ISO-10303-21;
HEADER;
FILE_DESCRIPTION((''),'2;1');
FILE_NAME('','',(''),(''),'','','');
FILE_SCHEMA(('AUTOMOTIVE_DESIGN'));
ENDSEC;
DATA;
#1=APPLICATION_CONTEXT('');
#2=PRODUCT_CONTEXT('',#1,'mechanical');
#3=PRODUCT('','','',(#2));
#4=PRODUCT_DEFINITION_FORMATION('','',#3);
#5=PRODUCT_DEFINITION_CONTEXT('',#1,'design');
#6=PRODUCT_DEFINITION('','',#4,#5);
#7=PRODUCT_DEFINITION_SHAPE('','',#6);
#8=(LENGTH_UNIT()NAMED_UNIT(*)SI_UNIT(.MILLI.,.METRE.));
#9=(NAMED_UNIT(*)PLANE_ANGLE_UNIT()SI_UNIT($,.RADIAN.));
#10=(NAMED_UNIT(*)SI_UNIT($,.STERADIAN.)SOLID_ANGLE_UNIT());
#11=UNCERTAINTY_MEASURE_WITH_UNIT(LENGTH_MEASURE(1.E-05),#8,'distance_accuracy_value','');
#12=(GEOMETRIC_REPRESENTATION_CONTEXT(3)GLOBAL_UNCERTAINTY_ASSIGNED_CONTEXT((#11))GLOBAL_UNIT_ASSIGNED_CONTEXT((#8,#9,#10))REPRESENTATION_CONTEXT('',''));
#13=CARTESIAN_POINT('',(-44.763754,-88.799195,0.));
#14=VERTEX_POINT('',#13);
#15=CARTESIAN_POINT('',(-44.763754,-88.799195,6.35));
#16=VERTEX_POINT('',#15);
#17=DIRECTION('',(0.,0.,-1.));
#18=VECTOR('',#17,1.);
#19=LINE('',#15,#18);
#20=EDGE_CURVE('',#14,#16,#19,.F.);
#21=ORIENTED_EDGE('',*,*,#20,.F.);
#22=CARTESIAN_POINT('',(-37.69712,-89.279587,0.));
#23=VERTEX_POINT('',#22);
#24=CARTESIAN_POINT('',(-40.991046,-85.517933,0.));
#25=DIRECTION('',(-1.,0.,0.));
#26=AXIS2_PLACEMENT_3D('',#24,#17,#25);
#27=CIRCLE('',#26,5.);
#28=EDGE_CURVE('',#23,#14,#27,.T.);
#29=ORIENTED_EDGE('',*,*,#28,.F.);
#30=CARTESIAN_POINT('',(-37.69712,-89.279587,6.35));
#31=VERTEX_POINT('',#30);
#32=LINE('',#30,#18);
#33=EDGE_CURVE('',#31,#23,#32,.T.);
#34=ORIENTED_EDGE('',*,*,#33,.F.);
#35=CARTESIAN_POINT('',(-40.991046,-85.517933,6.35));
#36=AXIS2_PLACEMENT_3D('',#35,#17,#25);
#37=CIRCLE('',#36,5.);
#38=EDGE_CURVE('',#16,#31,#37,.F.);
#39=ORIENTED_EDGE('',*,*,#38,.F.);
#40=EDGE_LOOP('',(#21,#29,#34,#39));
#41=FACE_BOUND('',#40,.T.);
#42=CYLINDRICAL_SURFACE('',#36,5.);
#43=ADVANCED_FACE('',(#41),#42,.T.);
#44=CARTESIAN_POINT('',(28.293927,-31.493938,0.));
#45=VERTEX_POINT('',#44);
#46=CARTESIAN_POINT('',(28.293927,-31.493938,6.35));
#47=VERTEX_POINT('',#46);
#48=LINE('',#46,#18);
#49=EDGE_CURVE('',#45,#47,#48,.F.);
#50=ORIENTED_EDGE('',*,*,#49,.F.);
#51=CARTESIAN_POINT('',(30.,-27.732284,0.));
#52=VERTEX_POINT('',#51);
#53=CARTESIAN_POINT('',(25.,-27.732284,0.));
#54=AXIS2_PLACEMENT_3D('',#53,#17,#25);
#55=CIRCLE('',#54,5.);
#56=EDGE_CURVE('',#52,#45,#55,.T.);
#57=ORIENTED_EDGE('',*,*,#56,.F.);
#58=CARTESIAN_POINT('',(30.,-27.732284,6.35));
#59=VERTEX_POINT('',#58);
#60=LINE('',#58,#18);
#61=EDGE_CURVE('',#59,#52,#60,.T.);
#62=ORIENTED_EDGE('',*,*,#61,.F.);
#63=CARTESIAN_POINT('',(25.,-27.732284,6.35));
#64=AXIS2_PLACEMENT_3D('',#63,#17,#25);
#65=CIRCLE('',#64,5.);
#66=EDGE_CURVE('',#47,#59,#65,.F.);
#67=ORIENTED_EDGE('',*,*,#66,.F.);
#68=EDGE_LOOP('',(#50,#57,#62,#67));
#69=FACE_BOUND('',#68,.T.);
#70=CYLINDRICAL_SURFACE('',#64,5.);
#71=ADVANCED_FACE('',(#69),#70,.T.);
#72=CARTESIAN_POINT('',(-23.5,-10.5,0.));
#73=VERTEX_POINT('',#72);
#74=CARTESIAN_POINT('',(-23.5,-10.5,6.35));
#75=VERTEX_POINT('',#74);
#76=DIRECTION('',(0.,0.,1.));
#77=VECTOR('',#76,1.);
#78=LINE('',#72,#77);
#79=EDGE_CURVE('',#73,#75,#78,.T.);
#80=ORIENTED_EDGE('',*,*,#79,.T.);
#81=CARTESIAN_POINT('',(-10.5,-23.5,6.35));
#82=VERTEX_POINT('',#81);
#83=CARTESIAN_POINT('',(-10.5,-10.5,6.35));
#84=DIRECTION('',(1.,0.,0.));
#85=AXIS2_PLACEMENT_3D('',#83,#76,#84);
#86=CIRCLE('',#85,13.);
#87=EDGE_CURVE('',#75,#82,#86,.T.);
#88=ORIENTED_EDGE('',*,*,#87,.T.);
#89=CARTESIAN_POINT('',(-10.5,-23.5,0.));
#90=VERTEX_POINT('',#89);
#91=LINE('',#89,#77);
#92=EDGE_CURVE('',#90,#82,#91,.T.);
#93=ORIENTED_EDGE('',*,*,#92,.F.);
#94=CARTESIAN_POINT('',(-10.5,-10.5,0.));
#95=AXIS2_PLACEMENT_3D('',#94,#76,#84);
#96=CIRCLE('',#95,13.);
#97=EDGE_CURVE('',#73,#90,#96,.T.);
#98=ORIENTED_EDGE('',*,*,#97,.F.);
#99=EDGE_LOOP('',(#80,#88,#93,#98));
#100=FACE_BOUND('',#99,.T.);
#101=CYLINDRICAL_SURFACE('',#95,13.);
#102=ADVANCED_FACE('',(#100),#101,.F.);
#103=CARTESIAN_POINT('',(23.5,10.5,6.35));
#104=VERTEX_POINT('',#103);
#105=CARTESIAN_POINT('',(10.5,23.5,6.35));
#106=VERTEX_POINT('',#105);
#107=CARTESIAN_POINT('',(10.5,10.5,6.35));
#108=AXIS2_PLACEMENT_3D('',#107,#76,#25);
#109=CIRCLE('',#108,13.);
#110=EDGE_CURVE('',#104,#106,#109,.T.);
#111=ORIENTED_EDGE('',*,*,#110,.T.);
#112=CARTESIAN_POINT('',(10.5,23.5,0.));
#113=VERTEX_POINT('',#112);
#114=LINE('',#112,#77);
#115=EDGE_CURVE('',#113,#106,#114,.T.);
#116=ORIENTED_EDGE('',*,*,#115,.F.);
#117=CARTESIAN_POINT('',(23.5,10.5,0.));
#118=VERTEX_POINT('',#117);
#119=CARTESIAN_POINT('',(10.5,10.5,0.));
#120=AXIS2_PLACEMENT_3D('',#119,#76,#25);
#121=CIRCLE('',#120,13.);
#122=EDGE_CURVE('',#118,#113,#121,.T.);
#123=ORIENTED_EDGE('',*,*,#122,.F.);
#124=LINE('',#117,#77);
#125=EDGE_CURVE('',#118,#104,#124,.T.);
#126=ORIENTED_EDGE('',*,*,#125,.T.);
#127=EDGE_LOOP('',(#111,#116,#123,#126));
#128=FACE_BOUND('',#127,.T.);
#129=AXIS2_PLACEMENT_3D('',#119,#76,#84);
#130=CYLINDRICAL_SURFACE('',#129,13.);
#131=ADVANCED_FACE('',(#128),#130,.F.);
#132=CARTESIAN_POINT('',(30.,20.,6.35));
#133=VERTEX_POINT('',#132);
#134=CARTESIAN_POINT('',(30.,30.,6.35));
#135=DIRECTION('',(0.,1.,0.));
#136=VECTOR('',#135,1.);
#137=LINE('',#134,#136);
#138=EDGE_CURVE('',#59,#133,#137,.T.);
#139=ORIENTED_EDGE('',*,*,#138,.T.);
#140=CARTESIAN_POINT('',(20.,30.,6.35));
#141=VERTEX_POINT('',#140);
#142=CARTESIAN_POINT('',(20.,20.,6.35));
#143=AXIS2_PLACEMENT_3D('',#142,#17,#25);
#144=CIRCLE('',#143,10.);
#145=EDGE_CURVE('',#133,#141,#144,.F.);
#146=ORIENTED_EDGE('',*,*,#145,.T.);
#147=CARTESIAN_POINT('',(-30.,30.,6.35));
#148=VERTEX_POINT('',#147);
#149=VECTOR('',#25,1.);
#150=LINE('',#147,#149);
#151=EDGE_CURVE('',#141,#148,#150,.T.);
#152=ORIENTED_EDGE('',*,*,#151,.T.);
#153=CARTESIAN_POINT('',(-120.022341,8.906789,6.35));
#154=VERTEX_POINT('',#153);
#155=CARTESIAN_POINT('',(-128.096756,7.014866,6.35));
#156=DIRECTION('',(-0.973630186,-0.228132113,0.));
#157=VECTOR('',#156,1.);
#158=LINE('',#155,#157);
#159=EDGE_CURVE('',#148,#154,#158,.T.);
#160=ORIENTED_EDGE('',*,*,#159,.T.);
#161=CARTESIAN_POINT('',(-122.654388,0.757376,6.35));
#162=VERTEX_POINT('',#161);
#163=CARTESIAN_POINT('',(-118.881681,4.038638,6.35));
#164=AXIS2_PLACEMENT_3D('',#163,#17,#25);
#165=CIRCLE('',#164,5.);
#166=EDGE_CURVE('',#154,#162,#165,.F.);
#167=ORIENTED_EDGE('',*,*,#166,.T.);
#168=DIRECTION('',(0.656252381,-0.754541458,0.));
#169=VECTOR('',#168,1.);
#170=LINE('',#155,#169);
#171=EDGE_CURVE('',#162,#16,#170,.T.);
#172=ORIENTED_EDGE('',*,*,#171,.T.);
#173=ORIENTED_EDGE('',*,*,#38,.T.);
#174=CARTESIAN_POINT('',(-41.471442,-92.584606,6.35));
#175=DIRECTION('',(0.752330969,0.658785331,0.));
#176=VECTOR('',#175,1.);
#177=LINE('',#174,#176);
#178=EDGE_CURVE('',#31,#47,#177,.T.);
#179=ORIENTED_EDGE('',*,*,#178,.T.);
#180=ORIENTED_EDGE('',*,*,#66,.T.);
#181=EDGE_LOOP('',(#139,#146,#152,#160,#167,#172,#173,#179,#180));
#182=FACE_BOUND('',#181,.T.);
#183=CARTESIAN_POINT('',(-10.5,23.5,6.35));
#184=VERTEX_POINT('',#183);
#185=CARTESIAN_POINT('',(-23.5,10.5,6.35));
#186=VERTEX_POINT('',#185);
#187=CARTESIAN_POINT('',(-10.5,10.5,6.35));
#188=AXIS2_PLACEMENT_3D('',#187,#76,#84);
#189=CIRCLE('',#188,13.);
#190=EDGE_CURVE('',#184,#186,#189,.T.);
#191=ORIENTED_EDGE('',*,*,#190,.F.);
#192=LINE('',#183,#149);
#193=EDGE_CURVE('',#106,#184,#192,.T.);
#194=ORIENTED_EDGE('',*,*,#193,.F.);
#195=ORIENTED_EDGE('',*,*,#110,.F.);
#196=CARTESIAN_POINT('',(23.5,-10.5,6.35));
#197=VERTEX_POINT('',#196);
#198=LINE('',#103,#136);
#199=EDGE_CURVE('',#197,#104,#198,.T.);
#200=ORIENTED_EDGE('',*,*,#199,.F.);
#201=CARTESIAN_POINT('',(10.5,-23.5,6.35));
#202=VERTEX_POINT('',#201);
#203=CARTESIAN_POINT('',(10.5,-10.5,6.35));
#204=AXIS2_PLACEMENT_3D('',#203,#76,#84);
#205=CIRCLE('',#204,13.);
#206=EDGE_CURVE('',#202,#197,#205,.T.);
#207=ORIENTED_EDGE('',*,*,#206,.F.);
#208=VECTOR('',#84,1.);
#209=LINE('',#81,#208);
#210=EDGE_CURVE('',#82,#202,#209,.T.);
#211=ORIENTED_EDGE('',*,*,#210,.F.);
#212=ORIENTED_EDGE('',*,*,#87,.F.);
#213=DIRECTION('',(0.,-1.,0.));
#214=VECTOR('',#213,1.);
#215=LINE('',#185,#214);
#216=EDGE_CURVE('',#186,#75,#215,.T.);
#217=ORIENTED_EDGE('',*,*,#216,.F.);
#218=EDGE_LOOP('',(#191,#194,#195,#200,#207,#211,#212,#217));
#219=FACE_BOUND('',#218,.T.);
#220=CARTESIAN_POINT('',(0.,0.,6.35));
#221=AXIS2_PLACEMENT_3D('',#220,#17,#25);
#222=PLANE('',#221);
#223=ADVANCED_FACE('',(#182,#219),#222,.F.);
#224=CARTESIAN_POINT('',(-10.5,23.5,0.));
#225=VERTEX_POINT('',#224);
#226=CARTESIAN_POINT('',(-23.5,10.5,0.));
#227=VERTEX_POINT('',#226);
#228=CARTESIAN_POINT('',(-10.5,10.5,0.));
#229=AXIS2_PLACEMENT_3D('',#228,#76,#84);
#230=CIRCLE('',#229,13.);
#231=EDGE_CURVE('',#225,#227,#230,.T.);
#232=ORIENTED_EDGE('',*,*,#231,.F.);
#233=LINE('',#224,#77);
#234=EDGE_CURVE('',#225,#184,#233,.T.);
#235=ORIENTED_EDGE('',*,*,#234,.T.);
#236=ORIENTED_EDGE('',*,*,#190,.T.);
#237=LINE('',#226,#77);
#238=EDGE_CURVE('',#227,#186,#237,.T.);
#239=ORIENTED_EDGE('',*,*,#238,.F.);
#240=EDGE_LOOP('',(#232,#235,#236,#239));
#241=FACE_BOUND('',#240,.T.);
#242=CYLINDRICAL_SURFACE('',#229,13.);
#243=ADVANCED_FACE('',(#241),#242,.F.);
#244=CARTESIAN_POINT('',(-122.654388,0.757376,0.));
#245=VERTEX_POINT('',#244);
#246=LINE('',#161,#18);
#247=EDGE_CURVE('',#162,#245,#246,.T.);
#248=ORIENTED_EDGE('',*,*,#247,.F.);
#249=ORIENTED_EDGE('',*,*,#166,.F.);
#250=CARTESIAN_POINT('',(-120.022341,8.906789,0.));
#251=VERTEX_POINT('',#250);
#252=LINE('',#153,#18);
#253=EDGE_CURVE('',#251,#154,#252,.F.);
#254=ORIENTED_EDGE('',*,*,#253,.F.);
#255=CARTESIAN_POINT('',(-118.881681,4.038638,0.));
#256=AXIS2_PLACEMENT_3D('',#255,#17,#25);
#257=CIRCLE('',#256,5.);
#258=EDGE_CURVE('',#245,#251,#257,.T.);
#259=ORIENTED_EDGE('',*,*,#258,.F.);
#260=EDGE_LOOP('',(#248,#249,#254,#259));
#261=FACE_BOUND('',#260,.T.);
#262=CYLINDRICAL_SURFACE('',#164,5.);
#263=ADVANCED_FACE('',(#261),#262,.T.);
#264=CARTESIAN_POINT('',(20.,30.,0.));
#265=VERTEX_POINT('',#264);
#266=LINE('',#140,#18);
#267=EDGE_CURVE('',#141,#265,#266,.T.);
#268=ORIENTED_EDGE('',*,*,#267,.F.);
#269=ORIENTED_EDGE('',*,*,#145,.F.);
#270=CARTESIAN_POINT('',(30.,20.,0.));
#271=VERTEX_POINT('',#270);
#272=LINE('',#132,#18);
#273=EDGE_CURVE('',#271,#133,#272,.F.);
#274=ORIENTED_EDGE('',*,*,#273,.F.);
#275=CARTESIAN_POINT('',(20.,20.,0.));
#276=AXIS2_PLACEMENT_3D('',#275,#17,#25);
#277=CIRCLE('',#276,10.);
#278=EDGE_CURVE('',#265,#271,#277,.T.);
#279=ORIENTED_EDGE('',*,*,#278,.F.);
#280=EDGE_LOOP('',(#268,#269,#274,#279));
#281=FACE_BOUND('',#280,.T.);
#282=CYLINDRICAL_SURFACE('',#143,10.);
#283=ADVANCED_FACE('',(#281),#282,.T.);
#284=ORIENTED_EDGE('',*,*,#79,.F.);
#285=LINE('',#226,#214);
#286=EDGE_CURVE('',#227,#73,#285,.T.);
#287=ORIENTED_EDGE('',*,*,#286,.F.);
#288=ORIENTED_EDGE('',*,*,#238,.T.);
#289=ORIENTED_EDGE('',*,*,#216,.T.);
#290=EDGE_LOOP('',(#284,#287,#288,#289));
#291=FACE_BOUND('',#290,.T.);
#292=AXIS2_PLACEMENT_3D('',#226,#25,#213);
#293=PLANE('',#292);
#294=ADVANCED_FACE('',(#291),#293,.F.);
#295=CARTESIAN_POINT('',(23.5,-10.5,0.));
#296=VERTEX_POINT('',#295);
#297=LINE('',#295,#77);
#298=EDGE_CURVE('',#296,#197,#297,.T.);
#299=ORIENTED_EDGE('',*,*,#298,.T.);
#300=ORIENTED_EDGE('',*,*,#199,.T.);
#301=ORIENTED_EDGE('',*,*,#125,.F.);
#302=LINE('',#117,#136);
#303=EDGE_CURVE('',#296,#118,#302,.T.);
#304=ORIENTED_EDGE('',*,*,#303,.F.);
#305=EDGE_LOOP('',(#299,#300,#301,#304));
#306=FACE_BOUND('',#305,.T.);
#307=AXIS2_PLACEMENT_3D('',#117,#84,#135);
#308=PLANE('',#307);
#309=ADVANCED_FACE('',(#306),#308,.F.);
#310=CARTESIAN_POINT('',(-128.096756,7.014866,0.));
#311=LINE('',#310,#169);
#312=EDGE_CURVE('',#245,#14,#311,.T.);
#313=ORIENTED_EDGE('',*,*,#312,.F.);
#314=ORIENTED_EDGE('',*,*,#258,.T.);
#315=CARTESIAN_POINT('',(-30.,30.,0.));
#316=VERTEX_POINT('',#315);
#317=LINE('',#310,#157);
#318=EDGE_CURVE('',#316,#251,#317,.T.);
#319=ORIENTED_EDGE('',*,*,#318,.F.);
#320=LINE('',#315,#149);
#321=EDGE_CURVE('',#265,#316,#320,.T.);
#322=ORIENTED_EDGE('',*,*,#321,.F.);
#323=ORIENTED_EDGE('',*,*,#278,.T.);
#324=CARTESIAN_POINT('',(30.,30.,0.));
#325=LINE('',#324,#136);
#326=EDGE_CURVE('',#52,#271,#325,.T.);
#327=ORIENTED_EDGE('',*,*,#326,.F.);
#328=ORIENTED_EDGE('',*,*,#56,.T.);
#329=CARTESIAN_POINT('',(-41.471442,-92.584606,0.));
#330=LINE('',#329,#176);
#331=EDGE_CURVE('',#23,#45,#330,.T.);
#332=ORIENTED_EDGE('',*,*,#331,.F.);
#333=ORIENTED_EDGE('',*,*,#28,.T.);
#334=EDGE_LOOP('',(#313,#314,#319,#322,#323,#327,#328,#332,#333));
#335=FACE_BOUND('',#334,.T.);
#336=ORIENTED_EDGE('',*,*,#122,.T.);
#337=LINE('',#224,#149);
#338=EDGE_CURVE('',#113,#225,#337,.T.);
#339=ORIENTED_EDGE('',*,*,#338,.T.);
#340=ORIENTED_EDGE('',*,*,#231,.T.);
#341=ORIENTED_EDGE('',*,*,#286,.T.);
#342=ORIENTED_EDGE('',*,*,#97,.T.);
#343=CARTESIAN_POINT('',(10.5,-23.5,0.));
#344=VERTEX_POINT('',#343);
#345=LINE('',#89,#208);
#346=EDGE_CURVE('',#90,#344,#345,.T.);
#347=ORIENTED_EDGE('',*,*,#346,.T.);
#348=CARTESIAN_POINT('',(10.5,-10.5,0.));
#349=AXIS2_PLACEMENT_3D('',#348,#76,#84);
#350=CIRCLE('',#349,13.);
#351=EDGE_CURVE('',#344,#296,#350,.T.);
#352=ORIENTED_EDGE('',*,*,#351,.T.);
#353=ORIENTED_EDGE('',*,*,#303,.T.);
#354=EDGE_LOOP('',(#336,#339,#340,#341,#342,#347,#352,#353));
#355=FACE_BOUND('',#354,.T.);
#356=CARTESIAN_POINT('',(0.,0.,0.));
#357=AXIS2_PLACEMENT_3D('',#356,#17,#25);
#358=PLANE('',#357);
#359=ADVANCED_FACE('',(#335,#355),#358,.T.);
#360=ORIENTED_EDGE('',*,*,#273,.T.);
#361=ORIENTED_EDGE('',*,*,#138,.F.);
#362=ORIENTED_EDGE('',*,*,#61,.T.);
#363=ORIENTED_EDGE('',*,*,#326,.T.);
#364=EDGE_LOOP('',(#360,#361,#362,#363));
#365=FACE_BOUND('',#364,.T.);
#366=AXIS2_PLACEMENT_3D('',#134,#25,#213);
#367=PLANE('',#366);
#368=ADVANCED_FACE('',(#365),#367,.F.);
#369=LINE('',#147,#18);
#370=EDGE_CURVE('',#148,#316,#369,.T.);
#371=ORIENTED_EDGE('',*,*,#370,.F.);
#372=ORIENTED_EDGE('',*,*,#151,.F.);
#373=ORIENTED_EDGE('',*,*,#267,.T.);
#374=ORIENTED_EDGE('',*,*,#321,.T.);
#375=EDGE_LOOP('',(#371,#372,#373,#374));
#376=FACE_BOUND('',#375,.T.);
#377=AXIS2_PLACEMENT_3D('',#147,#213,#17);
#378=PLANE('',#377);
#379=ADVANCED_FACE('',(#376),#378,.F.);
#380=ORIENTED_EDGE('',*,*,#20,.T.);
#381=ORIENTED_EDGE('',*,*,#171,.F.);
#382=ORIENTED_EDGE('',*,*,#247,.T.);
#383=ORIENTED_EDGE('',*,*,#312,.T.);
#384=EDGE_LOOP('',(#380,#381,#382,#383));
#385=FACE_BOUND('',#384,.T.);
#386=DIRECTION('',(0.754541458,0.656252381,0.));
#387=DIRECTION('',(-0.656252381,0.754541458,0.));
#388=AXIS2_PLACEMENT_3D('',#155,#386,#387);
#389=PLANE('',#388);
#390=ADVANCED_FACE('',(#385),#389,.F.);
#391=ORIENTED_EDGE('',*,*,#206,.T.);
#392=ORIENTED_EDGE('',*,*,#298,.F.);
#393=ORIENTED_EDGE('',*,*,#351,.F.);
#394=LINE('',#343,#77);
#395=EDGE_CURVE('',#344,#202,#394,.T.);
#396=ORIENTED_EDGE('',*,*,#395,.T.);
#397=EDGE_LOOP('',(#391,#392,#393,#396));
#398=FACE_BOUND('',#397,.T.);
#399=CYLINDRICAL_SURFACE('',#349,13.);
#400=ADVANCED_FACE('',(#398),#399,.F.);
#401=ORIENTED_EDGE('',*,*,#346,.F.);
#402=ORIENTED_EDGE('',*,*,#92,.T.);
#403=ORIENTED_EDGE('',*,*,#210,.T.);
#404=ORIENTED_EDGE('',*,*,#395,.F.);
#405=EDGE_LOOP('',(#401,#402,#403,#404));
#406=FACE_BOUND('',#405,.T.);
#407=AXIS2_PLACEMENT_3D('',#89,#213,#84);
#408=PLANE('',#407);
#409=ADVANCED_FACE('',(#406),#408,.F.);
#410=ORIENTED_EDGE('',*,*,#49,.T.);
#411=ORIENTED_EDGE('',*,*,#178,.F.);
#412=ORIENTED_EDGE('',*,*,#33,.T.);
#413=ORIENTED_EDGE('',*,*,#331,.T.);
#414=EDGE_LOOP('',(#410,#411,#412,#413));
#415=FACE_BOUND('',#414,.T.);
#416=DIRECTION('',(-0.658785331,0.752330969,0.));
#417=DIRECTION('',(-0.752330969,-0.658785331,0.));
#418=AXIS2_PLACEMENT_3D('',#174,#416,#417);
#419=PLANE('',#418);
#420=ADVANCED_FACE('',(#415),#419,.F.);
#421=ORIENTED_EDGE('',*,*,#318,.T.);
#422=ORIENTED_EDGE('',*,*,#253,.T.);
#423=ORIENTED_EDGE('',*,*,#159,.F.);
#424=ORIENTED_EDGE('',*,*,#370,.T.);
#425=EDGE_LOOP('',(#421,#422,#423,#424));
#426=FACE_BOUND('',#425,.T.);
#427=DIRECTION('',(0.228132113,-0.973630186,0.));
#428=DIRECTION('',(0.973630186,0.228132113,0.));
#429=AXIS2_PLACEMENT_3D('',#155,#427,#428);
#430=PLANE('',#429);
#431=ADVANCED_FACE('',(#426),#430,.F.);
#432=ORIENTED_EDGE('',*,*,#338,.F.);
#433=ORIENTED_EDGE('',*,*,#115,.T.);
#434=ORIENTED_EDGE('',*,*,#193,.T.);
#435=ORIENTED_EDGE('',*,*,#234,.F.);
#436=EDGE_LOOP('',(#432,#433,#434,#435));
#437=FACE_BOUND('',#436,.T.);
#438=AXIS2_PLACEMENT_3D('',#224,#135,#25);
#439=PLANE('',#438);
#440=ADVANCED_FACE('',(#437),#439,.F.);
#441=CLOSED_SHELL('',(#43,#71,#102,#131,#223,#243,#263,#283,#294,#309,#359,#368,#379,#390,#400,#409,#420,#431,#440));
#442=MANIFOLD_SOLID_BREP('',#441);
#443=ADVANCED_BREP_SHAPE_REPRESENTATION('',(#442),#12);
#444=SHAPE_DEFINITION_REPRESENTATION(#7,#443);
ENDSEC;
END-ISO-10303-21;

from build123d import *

# Parameters (mm, degrees)
BOSS_EXTRUDE1_DEPTH = 6.35
FILLET1_R           = 10
FILLET2_R           = 5
CUT_EXTRUDE1_DEPTH  = 7.35


with BuildPart() as part:
    # Sketch2 → Boss-Extrude1 (new body)
    with BuildSketch(Plane.XY):
        Polygon((-30, 30), (30, 30), (30, -30), (-41.471442061, -92.584606492), (-128.09675639, 7.014865983), align=None)
    extrude(amount=BOSS_EXTRUDE1_DEPTH)

    # Fillet1
    fillet1_edges = [part.edges().sort_by_distance(p)[0] for p in [
        (30, 30, 3.175),
    ]]
    fillet(fillet1_edges, radius=FILLET1_R)

    # Fillet2
    fillet2_edges = [part.edges().sort_by_distance(p)[0] for p in [
        (-41.471442061, -92.584606492, 3.175),
        (-128.09675639, 7.014865983, 3.175),
        (30, -30, 3.175),
    ]]
    fillet(fillet2_edges, radius=FILLET2_R)

    # Sketch3 → Cut-Extrude1 (cut, through all)
    with BuildSketch(Plane.XY.offset(6.35)):
        with BuildLine():
            Line((-10.5, 23.5), (10.5, 23.5))
            ThreePointArc((10.5, 23.5), (19.692388155, 19.692388155), (23.5, 10.5))
            Line((23.5, 10.5), (23.5, -10.5))
            ThreePointArc((23.5, -10.5), (19.692388155, -19.692388155), (10.5, -23.5))
            Line((10.5, -23.5), (-10.5, -23.5))
            ThreePointArc((-10.5, -23.5), (-19.692388155, -19.692388155), (-23.5, -10.5))
            Line((-23.5, -10.5), (-23.5, 10.5))
            ThreePointArc((-23.5, 10.5), (-19.692388155, 19.692388155), (-10.5, 23.5))
        make_face()
    extrude(amount=-CUT_EXTRUDE1_DEPTH, mode=Mode.SUBTRACT)


solid = part.part
